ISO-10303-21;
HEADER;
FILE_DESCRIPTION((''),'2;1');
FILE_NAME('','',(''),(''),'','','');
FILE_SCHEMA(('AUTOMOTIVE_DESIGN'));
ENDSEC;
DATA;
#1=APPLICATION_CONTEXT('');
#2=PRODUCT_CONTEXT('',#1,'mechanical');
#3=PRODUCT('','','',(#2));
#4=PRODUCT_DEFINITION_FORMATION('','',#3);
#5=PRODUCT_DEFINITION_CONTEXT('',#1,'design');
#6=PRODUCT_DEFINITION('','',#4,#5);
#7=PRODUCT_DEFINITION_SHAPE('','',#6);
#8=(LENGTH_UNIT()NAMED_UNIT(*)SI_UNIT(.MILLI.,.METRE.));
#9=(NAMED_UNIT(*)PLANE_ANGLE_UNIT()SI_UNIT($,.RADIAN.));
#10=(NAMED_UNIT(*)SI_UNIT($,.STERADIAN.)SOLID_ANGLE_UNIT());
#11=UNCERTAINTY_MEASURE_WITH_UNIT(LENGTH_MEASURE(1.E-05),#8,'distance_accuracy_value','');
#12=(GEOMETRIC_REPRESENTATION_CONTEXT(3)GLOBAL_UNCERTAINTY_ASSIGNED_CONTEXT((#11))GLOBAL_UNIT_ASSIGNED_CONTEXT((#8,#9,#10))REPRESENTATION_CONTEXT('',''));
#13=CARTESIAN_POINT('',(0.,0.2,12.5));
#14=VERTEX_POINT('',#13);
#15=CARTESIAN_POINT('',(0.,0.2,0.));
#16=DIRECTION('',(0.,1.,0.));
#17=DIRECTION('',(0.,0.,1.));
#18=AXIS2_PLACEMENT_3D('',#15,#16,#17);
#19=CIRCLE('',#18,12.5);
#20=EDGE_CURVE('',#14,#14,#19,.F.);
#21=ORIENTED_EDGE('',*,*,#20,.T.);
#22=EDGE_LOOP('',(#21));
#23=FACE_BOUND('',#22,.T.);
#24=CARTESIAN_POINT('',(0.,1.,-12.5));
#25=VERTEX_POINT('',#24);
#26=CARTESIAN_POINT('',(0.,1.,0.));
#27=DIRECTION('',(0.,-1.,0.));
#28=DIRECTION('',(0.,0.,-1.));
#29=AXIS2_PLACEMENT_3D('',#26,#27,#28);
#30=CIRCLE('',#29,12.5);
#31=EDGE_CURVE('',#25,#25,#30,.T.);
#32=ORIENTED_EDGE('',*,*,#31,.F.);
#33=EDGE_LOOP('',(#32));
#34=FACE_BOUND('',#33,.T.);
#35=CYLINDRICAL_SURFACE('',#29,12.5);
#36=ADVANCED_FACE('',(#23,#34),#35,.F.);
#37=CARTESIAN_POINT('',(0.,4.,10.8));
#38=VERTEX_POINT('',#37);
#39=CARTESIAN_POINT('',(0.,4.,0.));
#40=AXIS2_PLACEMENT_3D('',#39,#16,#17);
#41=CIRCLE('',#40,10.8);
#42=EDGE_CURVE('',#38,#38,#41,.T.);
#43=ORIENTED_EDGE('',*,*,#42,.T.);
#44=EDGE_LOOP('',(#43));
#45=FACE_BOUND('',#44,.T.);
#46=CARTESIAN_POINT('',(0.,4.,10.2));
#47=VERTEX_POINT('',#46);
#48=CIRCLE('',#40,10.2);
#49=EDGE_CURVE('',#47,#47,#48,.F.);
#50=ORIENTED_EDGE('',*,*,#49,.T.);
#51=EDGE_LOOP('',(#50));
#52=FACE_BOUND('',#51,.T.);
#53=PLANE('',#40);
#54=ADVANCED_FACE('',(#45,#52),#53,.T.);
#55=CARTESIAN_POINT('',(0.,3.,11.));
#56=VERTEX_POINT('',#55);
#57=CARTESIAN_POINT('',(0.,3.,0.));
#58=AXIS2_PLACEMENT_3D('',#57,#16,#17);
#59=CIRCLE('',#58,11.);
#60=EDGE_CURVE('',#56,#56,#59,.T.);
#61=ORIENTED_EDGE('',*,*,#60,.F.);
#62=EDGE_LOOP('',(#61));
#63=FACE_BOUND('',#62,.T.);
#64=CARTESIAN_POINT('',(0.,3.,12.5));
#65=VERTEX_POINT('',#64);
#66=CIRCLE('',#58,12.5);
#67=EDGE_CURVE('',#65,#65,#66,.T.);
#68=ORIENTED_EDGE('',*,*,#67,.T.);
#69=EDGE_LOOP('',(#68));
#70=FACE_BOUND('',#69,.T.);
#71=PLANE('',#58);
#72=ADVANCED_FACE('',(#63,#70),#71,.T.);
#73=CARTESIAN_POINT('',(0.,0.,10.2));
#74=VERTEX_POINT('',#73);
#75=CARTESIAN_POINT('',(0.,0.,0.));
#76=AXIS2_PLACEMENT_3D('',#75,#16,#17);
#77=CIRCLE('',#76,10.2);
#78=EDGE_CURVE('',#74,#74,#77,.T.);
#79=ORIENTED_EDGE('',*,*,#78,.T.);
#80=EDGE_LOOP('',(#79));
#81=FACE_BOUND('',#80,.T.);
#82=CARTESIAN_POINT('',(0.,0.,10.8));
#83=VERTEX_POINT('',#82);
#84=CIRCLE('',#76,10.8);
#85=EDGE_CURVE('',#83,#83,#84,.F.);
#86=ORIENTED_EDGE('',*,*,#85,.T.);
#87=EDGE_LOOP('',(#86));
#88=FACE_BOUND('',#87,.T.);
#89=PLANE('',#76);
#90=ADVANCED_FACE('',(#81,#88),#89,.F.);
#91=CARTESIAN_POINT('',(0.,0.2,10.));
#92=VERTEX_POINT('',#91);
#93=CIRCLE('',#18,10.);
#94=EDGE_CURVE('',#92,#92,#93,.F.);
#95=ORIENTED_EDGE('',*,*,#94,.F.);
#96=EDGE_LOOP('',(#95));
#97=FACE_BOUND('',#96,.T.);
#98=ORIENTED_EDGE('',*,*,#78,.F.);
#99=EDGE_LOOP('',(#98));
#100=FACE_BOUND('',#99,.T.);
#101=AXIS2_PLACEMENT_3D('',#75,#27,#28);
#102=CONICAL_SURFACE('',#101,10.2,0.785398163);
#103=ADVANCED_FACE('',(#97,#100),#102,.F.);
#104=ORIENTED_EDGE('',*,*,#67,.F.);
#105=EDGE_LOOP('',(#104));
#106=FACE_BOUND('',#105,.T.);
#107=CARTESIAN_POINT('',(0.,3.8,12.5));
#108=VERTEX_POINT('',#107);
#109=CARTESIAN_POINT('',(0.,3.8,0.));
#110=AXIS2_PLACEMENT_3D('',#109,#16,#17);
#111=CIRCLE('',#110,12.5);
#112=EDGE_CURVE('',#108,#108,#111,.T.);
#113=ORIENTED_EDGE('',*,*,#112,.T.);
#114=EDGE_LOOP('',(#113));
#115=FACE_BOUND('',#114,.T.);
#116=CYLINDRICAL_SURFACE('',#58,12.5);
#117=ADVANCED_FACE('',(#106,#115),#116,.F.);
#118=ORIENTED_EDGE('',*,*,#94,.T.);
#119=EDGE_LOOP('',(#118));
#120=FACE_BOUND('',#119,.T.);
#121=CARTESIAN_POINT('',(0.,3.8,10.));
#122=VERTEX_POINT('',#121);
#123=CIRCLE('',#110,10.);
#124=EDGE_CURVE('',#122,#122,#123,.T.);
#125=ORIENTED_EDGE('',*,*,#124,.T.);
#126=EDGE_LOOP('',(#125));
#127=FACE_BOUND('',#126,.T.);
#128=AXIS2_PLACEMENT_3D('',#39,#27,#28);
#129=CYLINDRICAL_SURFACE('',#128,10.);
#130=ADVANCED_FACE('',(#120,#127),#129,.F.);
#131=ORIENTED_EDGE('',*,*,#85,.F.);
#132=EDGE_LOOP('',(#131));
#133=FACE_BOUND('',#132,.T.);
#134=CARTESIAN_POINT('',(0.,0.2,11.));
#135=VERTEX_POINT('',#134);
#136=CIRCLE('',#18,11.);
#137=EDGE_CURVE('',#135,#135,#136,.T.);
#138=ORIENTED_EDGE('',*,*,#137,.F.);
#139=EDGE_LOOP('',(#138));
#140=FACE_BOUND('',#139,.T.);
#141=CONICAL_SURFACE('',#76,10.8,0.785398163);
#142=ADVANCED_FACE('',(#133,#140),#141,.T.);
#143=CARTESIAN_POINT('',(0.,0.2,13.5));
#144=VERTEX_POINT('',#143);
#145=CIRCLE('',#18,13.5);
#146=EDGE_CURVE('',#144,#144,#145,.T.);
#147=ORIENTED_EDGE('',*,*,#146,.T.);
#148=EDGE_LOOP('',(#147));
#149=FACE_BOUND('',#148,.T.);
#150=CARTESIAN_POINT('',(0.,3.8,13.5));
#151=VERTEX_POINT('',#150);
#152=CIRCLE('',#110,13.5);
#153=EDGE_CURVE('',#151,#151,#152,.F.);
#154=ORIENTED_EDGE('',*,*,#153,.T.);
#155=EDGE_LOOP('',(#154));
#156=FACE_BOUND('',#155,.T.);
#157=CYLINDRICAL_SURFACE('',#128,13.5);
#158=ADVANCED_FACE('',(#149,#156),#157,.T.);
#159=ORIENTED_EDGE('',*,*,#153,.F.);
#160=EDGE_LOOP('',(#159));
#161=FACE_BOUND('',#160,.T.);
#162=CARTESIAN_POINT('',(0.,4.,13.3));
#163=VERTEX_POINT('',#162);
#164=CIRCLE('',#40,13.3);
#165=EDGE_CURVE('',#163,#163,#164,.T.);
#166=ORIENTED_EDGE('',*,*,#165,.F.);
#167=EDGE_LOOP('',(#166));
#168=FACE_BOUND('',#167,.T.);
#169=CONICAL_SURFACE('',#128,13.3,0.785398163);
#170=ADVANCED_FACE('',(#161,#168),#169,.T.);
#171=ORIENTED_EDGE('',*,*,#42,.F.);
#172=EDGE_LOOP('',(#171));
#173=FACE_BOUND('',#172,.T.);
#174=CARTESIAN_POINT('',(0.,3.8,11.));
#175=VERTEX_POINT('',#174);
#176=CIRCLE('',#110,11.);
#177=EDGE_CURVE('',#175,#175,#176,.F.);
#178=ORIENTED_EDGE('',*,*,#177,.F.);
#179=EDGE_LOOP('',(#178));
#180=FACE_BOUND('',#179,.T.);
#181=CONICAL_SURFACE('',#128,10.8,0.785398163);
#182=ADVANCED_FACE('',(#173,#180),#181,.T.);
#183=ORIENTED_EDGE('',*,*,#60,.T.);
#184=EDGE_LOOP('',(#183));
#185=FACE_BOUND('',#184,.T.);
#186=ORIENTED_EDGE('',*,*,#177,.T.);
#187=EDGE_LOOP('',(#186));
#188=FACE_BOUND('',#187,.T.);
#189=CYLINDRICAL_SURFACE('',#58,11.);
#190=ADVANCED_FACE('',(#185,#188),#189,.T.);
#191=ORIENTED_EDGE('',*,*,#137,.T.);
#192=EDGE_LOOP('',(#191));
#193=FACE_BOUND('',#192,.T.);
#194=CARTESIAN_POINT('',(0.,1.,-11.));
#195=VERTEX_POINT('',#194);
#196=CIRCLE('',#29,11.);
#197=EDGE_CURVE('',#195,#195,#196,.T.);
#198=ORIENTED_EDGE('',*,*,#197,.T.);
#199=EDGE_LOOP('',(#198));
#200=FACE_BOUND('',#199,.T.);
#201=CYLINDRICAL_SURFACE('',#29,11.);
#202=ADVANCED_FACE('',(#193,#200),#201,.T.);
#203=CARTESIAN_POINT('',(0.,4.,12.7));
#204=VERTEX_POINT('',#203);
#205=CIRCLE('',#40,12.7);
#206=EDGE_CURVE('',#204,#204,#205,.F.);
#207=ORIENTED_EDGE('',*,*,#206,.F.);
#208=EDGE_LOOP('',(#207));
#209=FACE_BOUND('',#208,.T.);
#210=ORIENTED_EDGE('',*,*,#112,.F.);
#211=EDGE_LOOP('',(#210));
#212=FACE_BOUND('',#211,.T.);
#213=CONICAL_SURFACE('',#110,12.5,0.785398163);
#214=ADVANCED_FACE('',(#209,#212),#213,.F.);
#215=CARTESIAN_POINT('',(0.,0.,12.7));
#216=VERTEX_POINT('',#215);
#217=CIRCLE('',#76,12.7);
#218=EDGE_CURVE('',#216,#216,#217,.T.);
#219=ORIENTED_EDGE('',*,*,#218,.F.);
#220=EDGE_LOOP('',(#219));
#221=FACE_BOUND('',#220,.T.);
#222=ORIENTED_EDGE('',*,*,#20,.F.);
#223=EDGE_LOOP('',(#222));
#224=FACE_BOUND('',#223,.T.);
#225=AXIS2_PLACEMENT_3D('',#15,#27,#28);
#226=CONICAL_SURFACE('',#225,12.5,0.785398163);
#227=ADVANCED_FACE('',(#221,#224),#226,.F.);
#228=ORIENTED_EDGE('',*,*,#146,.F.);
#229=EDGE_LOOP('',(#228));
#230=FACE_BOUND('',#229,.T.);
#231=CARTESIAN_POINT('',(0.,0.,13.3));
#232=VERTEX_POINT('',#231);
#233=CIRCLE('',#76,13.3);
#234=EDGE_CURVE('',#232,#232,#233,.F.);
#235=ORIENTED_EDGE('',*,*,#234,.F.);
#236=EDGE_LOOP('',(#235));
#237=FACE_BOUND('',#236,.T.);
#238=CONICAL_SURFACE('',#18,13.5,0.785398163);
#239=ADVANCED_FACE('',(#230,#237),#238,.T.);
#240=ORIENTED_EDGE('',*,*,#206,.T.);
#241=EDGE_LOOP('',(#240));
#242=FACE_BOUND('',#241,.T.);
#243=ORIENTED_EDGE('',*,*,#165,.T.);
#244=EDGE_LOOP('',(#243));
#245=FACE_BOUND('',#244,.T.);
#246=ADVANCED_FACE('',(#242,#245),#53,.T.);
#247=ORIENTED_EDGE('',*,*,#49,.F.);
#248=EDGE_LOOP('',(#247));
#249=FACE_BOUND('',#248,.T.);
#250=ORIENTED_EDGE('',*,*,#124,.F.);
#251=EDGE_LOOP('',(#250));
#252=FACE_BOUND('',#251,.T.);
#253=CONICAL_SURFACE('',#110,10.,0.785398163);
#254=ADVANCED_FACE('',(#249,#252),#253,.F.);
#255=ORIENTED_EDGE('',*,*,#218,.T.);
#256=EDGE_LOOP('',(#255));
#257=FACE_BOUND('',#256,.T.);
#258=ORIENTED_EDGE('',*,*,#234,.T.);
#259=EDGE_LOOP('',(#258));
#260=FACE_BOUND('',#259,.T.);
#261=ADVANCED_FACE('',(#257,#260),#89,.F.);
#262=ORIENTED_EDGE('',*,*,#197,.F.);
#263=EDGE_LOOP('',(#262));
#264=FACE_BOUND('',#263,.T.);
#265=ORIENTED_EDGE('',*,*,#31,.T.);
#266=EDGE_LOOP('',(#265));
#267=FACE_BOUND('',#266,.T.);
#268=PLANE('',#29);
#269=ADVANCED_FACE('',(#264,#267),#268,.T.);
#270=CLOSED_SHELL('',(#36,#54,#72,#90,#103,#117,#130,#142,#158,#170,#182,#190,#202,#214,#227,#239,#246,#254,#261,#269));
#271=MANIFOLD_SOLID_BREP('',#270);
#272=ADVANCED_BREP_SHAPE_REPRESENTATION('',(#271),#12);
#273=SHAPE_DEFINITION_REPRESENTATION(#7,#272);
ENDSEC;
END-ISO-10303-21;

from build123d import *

# Parameters (mm, degrees)
SKETCH1_R           = 13.5
SKETCH1_R_2         = 10
BOSS_EXTRUDE1_DEPTH = 4
SKETCH2_R           = 12.5
SKETCH2_R_2         = 11
CUT_EXTRUDE1_DEPTH  = 1
CUT_EXTRUDE2_START  = -1
SKETCH3_R           = 12.5
SKETCH3_R_2         = 11
CUT_EXTRUDE2_DEPTH  = 1
CHAMFER1_SIZE       = 0.2


with BuildPart() as part:
    # Sketch1 → Boss-Extrude1 (new body)
    with BuildSketch(Plane(origin=(0, 0, 0), x_dir=(1, 0, 0), z_dir=(0, 1, 0))):
        with Locations(Location((0, 0, 0), (0, 0, 270))):
            Circle(SKETCH1_R)
        with Locations(Location((0, 0, 0), (0, 0, 270))):
            Circle(SKETCH1_R_2, mode=Mode.SUBTRACT)
    extrude(amount=BOSS_EXTRUDE1_DEPTH)

    # Sketch2 → Cut-Extrude1 (cut)
    with BuildSketch(Plane(origin=(0, 4, 0), x_dir=(1, 0, 0), z_dir=(0, 1, 0))):
        with Locations(Location((0, 0, 0), (0, 0, 270))):
            Circle(SKETCH2_R)
        with Locations(Location((0, 0, 0), (0, 0, 270))):
            Circle(SKETCH2_R_2, mode=Mode.SUBTRACT)
    extrude(amount=-CUT_EXTRUDE1_DEPTH, mode=Mode.SUBTRACT)

    # Sketch3 → Cut-Extrude2 (cut)
    with BuildSketch(Plane.XZ.offset(CUT_EXTRUDE2_START)):
        with Locations(Location((0, 0, 0), (0, 0, 90))):
            Circle(SKETCH3_R)
        with Locations(Location((0, 0, 0), (0, 0, 90))):
            Circle(SKETCH3_R_2, mode=Mode.SUBTRACT)
    extrude(amount=CUT_EXTRUDE2_DEPTH, mode=Mode.SUBTRACT)

    # Chamfer1
    chamfer1_edges = [part.edges().sort_by_distance(p)[0] for p in [
        (0, 4, -12.5),
        (0, 4, -11),
        (0, 0, -13.5),
        (0, 0, -12.5),
        (0, 0, -11),
        (0, 4, -13.5),
        (0, 0, -10),
        (0, 4, -10),
    ]]
    chamfer(chamfer1_edges, length=CHAMFER1_SIZE)


solid = part.part
